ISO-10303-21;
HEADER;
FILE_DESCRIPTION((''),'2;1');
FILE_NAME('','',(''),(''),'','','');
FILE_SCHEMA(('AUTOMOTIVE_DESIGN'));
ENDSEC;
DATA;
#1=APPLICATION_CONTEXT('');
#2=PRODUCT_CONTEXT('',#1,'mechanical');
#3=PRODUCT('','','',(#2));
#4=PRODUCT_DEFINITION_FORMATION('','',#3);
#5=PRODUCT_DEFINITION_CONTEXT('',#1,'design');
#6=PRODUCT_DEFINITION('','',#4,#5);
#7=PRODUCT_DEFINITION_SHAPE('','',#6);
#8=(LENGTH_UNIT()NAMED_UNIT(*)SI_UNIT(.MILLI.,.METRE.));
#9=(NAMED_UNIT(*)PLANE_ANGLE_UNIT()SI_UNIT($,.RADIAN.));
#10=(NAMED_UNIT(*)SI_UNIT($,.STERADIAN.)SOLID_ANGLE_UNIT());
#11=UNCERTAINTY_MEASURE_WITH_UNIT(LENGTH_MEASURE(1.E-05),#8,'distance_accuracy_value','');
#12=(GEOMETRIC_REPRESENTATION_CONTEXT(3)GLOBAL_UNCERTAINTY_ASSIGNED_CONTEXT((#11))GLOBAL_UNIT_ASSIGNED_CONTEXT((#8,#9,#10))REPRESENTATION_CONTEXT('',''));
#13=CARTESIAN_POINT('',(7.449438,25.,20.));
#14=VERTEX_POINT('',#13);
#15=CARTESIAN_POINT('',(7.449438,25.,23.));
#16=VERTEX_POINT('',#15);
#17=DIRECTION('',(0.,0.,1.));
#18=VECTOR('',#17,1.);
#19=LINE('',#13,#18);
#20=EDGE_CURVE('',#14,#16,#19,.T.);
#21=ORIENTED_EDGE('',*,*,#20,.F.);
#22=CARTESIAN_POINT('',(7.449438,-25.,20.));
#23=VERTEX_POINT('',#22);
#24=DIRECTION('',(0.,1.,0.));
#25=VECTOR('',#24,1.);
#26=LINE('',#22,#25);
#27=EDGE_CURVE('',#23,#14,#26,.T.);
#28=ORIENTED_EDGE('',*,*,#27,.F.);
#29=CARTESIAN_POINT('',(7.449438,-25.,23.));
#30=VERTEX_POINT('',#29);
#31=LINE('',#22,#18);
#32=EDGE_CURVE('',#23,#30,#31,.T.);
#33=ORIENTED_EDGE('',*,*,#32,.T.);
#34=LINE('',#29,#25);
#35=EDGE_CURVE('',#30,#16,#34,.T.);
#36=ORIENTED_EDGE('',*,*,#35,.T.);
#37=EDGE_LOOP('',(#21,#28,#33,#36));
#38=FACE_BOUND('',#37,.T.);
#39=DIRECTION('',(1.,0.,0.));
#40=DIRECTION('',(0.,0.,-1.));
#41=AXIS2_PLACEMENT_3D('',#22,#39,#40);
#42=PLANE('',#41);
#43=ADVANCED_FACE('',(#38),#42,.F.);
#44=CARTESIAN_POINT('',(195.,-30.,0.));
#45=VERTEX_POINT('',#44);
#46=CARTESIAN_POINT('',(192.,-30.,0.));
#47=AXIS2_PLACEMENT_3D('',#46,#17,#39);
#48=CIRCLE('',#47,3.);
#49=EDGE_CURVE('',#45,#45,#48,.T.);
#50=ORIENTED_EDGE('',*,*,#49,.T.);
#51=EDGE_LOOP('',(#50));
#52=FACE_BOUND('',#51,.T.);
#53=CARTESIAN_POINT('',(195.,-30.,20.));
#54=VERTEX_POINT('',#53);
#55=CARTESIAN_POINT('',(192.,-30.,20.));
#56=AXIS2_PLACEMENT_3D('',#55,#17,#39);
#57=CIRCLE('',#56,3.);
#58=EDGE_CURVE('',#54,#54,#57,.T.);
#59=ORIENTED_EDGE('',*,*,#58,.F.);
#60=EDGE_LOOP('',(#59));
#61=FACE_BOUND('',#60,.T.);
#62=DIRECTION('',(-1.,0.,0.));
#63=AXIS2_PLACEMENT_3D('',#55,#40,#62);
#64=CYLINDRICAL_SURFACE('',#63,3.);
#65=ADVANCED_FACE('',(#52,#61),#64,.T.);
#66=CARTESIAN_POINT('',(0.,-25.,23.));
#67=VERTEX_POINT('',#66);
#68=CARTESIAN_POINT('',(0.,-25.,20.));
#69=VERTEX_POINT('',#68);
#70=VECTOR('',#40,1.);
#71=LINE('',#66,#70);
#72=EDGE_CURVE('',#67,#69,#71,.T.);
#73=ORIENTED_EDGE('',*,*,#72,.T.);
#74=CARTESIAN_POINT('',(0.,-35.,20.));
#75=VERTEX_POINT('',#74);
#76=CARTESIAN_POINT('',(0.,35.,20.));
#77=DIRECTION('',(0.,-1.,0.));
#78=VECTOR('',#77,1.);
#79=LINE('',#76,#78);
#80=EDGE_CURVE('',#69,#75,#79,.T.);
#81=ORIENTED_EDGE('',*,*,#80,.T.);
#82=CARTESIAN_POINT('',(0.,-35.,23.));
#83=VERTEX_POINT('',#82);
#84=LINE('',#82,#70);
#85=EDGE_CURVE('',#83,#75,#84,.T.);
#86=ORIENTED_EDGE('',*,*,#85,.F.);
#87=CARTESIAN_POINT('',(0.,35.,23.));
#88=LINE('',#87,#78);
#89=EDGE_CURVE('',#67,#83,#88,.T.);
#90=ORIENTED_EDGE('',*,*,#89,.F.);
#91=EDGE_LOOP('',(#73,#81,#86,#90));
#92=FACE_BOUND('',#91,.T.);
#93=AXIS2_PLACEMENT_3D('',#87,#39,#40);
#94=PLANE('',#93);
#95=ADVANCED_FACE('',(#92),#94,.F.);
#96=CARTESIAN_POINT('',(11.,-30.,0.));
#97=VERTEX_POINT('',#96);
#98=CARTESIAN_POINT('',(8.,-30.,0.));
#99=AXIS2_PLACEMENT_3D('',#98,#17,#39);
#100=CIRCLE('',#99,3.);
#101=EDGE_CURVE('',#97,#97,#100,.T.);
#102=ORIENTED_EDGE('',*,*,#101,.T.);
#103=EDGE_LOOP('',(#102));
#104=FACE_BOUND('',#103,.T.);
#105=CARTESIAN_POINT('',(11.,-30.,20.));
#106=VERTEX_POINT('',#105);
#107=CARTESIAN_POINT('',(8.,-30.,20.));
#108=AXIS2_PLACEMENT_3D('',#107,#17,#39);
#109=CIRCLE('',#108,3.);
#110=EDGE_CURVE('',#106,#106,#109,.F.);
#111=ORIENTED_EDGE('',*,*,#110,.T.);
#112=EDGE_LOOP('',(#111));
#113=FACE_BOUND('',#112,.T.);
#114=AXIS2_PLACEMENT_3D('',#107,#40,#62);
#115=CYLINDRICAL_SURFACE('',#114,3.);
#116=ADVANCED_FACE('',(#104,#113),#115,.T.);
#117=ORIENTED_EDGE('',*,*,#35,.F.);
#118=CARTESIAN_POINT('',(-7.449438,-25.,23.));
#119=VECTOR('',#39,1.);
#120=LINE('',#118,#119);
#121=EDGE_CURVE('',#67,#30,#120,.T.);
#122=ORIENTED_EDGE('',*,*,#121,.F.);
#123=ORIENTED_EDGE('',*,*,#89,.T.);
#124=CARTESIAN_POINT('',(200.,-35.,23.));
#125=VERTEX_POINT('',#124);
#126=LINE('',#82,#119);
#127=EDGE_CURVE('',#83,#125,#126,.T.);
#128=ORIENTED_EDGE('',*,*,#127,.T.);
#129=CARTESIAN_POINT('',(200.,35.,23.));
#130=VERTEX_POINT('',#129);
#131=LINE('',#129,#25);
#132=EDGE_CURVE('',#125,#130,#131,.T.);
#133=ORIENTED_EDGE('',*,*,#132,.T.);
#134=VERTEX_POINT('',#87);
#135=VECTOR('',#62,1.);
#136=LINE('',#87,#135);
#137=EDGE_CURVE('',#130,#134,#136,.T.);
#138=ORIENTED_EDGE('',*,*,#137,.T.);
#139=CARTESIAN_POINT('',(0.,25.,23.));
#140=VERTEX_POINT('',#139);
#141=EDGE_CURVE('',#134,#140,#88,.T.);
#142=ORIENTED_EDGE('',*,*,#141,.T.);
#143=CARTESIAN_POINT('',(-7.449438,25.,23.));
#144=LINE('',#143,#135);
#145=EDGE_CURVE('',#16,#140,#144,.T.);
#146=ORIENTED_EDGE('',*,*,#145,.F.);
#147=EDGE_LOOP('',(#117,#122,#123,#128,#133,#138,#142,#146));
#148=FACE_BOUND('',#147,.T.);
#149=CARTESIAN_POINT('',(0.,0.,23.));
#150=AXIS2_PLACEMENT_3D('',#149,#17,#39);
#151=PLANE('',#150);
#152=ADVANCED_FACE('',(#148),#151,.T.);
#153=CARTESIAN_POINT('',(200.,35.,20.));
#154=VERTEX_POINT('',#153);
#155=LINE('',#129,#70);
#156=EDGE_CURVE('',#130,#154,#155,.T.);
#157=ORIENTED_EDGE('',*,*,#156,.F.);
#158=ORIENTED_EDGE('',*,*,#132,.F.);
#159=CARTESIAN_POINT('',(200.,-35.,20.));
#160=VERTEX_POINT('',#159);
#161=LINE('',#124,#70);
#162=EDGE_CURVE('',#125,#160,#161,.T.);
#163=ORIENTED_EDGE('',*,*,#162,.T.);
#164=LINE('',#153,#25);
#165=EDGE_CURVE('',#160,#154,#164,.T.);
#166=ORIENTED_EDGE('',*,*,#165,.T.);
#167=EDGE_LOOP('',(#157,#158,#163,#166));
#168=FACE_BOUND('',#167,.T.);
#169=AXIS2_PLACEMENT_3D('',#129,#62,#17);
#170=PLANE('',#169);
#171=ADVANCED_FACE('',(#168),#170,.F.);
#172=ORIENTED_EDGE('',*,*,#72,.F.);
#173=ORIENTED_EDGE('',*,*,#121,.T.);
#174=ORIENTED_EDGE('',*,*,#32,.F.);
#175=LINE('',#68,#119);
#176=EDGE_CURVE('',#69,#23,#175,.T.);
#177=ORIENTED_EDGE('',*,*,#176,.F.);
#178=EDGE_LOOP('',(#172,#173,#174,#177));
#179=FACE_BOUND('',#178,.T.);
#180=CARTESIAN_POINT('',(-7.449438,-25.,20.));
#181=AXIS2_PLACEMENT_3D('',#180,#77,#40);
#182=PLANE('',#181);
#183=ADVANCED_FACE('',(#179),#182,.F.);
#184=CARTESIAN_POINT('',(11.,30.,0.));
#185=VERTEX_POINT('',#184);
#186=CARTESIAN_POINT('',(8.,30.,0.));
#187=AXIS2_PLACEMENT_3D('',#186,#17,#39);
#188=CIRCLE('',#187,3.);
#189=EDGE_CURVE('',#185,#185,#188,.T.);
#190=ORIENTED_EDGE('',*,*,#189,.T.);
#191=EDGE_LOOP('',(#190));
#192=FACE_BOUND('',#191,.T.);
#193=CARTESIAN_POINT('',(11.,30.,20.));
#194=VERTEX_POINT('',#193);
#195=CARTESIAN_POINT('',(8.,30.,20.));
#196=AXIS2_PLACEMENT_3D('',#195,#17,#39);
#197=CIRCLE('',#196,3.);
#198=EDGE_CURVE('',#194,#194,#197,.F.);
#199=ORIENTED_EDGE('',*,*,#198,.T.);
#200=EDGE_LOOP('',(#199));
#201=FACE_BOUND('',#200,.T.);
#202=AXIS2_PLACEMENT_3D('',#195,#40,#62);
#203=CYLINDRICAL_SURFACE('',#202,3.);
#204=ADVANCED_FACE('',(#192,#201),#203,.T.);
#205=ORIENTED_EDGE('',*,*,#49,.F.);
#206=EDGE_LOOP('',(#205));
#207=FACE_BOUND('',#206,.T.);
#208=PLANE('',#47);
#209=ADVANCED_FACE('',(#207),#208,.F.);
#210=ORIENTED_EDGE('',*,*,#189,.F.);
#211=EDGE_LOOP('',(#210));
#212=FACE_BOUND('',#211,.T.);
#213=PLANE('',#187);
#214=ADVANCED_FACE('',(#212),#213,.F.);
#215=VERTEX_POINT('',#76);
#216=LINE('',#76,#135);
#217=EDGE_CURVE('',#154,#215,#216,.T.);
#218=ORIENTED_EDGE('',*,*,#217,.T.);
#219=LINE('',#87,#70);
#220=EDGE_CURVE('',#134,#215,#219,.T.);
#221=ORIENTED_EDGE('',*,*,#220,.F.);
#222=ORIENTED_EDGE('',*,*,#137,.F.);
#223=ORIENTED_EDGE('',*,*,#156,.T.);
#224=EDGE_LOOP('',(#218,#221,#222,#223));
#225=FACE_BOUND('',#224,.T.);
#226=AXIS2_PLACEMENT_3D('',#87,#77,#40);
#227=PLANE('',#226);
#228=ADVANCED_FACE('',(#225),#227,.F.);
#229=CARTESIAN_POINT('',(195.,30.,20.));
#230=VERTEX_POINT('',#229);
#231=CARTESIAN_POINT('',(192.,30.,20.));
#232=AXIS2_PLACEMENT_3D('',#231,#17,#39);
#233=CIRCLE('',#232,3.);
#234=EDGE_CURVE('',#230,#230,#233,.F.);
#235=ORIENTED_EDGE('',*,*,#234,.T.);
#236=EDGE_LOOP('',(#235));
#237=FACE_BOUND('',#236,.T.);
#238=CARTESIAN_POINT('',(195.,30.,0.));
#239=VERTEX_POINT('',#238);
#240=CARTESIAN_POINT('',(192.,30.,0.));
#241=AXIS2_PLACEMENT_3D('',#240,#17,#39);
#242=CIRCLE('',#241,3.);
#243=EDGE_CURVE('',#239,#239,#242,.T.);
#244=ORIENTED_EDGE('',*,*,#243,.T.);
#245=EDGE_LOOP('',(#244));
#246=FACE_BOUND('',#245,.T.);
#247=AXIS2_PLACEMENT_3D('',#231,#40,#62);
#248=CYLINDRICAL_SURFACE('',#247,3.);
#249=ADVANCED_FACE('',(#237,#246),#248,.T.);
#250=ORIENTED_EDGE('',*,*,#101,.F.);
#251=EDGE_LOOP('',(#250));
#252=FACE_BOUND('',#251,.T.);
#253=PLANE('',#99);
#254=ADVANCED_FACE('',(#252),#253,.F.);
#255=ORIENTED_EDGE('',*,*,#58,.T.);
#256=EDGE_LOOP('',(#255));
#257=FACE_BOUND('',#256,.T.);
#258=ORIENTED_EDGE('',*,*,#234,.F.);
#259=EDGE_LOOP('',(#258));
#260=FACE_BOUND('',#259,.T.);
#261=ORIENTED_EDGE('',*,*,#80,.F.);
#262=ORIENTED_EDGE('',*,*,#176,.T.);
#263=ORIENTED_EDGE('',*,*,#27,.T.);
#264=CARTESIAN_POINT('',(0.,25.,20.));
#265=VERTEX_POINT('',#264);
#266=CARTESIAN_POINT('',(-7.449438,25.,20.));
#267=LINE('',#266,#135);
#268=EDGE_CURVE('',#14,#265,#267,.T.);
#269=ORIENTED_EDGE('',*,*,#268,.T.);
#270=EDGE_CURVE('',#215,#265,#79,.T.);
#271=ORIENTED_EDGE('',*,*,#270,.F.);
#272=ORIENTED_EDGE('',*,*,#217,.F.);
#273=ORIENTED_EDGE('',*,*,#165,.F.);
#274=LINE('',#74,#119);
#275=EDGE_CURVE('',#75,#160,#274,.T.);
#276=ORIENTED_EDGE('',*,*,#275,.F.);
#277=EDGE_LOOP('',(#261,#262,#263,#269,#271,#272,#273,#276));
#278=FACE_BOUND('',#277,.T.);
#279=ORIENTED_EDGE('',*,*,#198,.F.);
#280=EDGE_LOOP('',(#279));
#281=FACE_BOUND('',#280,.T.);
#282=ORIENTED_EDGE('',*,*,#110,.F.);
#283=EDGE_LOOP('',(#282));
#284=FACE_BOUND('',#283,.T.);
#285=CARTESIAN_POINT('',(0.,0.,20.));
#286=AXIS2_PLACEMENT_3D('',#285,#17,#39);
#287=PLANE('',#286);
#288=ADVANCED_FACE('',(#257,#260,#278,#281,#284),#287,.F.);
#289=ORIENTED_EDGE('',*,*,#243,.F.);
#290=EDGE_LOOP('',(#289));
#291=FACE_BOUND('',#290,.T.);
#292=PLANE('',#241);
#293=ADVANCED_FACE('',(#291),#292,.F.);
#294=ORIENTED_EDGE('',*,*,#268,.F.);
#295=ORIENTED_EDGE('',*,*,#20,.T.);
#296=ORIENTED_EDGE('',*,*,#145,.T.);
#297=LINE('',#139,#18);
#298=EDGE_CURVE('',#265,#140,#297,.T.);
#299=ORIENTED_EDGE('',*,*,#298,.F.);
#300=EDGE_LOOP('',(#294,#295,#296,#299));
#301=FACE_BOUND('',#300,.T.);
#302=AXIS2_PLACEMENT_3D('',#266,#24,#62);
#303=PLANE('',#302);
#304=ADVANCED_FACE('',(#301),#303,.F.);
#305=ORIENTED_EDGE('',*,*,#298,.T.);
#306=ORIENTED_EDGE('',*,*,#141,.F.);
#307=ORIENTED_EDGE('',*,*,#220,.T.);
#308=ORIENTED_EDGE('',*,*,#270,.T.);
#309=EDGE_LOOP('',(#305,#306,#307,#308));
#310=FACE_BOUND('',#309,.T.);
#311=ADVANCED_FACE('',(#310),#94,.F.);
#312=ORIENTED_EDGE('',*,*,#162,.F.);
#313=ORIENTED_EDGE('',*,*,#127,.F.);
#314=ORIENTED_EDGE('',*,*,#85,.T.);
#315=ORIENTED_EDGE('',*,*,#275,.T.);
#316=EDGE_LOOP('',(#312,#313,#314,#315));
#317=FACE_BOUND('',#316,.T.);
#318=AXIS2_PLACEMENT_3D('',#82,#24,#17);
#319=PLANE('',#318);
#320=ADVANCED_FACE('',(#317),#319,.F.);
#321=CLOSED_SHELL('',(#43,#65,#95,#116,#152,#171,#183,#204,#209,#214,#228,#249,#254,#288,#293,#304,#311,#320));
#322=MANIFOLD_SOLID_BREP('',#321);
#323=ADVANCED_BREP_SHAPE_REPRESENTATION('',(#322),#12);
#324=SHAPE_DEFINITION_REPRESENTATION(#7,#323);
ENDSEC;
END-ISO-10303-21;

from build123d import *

# Parameters (mm, degrees)
ESBO_O2_R                  = 3
RESSALTO_EXTRUS_O1_DEPTH   = 20
RESSALTO_EXTRUS_O1_2_DEPTH = 20
RESSALTO_EXTRUS_O1_3_DEPTH = 20
RESSALTO_EXTRUS_O1_4_DEPTH = 20
ESBO_O3_W                  = 200
ESBO_O3_H                  = 70
RESSALTO_EXTRUS_O2_DEPTH   = 3
ESBO_O4_W                  = 14.89887522
ESBO_O4_H                  = 50
CORTE_EXTRUS_O1_DEPTH      = 3


with BuildPart() as part:
    # Esboço2 → Ressalto-extrusão1 (new body)
    with BuildSketch(Plane.XY):
        with Locations((192, -30)):
            Circle(ESBO_O2_R)
    extrude(amount=RESSALTO_EXTRUS_O1_DEPTH)



with BuildPart() as body_2:
    # Esboço2 → Ressalto-extrus_o1 2 (new body)
    with BuildSketch(Plane.XY):
        with Locations((192, 30)):
            Circle(ESBO_O2_R)
    extrude(amount=RESSALTO_EXTRUS_O1_2_DEPTH)


with BuildPart() as body_3:
    # Esboço2 → Ressalto-extrus_o1 3 (new body)
    with BuildSketch(Plane.XY):
        with Locations((8, 30)):
            Circle(ESBO_O2_R)
    extrude(amount=RESSALTO_EXTRUS_O1_3_DEPTH)


with BuildPart() as body_4:
    # Esboço2 → Ressalto-extrus_o1 4 (new body)
    with BuildSketch(Plane.XY):
        with Locations((8, -30)):
            Circle(ESBO_O2_R)
    extrude(amount=RESSALTO_EXTRUS_O1_4_DEPTH)


with BuildPart() as part_1:
    add(part.part)

    add(body_2.part)  # Ressalto-extrusão2 merges body 2

    add(body_3.part)  # Ressalto-extrusão2 merges body 3

    add(body_4.part)  # Ressalto-extrusão2 merges body 4
    # Esboço3 → Ressalto-extrusão2 (add)
    with BuildSketch(Plane.XY.offset(20)):
        with Locations((100, 0)):
            Rectangle(ESBO_O3_W, ESBO_O3_H)
    extrude(amount=RESSALTO_EXTRUS_O2_DEPTH)

    # Esboço4 → Corte-extrusão1 (cut)
    with BuildSketch(Plane.XY.offset(23)):
        Rectangle(ESBO_O4_W, ESBO_O4_H)
    extrude(amount=-CORTE_EXTRUS_O1_DEPTH, mode=Mode.SUBTRACT)


solid = part_1.part
